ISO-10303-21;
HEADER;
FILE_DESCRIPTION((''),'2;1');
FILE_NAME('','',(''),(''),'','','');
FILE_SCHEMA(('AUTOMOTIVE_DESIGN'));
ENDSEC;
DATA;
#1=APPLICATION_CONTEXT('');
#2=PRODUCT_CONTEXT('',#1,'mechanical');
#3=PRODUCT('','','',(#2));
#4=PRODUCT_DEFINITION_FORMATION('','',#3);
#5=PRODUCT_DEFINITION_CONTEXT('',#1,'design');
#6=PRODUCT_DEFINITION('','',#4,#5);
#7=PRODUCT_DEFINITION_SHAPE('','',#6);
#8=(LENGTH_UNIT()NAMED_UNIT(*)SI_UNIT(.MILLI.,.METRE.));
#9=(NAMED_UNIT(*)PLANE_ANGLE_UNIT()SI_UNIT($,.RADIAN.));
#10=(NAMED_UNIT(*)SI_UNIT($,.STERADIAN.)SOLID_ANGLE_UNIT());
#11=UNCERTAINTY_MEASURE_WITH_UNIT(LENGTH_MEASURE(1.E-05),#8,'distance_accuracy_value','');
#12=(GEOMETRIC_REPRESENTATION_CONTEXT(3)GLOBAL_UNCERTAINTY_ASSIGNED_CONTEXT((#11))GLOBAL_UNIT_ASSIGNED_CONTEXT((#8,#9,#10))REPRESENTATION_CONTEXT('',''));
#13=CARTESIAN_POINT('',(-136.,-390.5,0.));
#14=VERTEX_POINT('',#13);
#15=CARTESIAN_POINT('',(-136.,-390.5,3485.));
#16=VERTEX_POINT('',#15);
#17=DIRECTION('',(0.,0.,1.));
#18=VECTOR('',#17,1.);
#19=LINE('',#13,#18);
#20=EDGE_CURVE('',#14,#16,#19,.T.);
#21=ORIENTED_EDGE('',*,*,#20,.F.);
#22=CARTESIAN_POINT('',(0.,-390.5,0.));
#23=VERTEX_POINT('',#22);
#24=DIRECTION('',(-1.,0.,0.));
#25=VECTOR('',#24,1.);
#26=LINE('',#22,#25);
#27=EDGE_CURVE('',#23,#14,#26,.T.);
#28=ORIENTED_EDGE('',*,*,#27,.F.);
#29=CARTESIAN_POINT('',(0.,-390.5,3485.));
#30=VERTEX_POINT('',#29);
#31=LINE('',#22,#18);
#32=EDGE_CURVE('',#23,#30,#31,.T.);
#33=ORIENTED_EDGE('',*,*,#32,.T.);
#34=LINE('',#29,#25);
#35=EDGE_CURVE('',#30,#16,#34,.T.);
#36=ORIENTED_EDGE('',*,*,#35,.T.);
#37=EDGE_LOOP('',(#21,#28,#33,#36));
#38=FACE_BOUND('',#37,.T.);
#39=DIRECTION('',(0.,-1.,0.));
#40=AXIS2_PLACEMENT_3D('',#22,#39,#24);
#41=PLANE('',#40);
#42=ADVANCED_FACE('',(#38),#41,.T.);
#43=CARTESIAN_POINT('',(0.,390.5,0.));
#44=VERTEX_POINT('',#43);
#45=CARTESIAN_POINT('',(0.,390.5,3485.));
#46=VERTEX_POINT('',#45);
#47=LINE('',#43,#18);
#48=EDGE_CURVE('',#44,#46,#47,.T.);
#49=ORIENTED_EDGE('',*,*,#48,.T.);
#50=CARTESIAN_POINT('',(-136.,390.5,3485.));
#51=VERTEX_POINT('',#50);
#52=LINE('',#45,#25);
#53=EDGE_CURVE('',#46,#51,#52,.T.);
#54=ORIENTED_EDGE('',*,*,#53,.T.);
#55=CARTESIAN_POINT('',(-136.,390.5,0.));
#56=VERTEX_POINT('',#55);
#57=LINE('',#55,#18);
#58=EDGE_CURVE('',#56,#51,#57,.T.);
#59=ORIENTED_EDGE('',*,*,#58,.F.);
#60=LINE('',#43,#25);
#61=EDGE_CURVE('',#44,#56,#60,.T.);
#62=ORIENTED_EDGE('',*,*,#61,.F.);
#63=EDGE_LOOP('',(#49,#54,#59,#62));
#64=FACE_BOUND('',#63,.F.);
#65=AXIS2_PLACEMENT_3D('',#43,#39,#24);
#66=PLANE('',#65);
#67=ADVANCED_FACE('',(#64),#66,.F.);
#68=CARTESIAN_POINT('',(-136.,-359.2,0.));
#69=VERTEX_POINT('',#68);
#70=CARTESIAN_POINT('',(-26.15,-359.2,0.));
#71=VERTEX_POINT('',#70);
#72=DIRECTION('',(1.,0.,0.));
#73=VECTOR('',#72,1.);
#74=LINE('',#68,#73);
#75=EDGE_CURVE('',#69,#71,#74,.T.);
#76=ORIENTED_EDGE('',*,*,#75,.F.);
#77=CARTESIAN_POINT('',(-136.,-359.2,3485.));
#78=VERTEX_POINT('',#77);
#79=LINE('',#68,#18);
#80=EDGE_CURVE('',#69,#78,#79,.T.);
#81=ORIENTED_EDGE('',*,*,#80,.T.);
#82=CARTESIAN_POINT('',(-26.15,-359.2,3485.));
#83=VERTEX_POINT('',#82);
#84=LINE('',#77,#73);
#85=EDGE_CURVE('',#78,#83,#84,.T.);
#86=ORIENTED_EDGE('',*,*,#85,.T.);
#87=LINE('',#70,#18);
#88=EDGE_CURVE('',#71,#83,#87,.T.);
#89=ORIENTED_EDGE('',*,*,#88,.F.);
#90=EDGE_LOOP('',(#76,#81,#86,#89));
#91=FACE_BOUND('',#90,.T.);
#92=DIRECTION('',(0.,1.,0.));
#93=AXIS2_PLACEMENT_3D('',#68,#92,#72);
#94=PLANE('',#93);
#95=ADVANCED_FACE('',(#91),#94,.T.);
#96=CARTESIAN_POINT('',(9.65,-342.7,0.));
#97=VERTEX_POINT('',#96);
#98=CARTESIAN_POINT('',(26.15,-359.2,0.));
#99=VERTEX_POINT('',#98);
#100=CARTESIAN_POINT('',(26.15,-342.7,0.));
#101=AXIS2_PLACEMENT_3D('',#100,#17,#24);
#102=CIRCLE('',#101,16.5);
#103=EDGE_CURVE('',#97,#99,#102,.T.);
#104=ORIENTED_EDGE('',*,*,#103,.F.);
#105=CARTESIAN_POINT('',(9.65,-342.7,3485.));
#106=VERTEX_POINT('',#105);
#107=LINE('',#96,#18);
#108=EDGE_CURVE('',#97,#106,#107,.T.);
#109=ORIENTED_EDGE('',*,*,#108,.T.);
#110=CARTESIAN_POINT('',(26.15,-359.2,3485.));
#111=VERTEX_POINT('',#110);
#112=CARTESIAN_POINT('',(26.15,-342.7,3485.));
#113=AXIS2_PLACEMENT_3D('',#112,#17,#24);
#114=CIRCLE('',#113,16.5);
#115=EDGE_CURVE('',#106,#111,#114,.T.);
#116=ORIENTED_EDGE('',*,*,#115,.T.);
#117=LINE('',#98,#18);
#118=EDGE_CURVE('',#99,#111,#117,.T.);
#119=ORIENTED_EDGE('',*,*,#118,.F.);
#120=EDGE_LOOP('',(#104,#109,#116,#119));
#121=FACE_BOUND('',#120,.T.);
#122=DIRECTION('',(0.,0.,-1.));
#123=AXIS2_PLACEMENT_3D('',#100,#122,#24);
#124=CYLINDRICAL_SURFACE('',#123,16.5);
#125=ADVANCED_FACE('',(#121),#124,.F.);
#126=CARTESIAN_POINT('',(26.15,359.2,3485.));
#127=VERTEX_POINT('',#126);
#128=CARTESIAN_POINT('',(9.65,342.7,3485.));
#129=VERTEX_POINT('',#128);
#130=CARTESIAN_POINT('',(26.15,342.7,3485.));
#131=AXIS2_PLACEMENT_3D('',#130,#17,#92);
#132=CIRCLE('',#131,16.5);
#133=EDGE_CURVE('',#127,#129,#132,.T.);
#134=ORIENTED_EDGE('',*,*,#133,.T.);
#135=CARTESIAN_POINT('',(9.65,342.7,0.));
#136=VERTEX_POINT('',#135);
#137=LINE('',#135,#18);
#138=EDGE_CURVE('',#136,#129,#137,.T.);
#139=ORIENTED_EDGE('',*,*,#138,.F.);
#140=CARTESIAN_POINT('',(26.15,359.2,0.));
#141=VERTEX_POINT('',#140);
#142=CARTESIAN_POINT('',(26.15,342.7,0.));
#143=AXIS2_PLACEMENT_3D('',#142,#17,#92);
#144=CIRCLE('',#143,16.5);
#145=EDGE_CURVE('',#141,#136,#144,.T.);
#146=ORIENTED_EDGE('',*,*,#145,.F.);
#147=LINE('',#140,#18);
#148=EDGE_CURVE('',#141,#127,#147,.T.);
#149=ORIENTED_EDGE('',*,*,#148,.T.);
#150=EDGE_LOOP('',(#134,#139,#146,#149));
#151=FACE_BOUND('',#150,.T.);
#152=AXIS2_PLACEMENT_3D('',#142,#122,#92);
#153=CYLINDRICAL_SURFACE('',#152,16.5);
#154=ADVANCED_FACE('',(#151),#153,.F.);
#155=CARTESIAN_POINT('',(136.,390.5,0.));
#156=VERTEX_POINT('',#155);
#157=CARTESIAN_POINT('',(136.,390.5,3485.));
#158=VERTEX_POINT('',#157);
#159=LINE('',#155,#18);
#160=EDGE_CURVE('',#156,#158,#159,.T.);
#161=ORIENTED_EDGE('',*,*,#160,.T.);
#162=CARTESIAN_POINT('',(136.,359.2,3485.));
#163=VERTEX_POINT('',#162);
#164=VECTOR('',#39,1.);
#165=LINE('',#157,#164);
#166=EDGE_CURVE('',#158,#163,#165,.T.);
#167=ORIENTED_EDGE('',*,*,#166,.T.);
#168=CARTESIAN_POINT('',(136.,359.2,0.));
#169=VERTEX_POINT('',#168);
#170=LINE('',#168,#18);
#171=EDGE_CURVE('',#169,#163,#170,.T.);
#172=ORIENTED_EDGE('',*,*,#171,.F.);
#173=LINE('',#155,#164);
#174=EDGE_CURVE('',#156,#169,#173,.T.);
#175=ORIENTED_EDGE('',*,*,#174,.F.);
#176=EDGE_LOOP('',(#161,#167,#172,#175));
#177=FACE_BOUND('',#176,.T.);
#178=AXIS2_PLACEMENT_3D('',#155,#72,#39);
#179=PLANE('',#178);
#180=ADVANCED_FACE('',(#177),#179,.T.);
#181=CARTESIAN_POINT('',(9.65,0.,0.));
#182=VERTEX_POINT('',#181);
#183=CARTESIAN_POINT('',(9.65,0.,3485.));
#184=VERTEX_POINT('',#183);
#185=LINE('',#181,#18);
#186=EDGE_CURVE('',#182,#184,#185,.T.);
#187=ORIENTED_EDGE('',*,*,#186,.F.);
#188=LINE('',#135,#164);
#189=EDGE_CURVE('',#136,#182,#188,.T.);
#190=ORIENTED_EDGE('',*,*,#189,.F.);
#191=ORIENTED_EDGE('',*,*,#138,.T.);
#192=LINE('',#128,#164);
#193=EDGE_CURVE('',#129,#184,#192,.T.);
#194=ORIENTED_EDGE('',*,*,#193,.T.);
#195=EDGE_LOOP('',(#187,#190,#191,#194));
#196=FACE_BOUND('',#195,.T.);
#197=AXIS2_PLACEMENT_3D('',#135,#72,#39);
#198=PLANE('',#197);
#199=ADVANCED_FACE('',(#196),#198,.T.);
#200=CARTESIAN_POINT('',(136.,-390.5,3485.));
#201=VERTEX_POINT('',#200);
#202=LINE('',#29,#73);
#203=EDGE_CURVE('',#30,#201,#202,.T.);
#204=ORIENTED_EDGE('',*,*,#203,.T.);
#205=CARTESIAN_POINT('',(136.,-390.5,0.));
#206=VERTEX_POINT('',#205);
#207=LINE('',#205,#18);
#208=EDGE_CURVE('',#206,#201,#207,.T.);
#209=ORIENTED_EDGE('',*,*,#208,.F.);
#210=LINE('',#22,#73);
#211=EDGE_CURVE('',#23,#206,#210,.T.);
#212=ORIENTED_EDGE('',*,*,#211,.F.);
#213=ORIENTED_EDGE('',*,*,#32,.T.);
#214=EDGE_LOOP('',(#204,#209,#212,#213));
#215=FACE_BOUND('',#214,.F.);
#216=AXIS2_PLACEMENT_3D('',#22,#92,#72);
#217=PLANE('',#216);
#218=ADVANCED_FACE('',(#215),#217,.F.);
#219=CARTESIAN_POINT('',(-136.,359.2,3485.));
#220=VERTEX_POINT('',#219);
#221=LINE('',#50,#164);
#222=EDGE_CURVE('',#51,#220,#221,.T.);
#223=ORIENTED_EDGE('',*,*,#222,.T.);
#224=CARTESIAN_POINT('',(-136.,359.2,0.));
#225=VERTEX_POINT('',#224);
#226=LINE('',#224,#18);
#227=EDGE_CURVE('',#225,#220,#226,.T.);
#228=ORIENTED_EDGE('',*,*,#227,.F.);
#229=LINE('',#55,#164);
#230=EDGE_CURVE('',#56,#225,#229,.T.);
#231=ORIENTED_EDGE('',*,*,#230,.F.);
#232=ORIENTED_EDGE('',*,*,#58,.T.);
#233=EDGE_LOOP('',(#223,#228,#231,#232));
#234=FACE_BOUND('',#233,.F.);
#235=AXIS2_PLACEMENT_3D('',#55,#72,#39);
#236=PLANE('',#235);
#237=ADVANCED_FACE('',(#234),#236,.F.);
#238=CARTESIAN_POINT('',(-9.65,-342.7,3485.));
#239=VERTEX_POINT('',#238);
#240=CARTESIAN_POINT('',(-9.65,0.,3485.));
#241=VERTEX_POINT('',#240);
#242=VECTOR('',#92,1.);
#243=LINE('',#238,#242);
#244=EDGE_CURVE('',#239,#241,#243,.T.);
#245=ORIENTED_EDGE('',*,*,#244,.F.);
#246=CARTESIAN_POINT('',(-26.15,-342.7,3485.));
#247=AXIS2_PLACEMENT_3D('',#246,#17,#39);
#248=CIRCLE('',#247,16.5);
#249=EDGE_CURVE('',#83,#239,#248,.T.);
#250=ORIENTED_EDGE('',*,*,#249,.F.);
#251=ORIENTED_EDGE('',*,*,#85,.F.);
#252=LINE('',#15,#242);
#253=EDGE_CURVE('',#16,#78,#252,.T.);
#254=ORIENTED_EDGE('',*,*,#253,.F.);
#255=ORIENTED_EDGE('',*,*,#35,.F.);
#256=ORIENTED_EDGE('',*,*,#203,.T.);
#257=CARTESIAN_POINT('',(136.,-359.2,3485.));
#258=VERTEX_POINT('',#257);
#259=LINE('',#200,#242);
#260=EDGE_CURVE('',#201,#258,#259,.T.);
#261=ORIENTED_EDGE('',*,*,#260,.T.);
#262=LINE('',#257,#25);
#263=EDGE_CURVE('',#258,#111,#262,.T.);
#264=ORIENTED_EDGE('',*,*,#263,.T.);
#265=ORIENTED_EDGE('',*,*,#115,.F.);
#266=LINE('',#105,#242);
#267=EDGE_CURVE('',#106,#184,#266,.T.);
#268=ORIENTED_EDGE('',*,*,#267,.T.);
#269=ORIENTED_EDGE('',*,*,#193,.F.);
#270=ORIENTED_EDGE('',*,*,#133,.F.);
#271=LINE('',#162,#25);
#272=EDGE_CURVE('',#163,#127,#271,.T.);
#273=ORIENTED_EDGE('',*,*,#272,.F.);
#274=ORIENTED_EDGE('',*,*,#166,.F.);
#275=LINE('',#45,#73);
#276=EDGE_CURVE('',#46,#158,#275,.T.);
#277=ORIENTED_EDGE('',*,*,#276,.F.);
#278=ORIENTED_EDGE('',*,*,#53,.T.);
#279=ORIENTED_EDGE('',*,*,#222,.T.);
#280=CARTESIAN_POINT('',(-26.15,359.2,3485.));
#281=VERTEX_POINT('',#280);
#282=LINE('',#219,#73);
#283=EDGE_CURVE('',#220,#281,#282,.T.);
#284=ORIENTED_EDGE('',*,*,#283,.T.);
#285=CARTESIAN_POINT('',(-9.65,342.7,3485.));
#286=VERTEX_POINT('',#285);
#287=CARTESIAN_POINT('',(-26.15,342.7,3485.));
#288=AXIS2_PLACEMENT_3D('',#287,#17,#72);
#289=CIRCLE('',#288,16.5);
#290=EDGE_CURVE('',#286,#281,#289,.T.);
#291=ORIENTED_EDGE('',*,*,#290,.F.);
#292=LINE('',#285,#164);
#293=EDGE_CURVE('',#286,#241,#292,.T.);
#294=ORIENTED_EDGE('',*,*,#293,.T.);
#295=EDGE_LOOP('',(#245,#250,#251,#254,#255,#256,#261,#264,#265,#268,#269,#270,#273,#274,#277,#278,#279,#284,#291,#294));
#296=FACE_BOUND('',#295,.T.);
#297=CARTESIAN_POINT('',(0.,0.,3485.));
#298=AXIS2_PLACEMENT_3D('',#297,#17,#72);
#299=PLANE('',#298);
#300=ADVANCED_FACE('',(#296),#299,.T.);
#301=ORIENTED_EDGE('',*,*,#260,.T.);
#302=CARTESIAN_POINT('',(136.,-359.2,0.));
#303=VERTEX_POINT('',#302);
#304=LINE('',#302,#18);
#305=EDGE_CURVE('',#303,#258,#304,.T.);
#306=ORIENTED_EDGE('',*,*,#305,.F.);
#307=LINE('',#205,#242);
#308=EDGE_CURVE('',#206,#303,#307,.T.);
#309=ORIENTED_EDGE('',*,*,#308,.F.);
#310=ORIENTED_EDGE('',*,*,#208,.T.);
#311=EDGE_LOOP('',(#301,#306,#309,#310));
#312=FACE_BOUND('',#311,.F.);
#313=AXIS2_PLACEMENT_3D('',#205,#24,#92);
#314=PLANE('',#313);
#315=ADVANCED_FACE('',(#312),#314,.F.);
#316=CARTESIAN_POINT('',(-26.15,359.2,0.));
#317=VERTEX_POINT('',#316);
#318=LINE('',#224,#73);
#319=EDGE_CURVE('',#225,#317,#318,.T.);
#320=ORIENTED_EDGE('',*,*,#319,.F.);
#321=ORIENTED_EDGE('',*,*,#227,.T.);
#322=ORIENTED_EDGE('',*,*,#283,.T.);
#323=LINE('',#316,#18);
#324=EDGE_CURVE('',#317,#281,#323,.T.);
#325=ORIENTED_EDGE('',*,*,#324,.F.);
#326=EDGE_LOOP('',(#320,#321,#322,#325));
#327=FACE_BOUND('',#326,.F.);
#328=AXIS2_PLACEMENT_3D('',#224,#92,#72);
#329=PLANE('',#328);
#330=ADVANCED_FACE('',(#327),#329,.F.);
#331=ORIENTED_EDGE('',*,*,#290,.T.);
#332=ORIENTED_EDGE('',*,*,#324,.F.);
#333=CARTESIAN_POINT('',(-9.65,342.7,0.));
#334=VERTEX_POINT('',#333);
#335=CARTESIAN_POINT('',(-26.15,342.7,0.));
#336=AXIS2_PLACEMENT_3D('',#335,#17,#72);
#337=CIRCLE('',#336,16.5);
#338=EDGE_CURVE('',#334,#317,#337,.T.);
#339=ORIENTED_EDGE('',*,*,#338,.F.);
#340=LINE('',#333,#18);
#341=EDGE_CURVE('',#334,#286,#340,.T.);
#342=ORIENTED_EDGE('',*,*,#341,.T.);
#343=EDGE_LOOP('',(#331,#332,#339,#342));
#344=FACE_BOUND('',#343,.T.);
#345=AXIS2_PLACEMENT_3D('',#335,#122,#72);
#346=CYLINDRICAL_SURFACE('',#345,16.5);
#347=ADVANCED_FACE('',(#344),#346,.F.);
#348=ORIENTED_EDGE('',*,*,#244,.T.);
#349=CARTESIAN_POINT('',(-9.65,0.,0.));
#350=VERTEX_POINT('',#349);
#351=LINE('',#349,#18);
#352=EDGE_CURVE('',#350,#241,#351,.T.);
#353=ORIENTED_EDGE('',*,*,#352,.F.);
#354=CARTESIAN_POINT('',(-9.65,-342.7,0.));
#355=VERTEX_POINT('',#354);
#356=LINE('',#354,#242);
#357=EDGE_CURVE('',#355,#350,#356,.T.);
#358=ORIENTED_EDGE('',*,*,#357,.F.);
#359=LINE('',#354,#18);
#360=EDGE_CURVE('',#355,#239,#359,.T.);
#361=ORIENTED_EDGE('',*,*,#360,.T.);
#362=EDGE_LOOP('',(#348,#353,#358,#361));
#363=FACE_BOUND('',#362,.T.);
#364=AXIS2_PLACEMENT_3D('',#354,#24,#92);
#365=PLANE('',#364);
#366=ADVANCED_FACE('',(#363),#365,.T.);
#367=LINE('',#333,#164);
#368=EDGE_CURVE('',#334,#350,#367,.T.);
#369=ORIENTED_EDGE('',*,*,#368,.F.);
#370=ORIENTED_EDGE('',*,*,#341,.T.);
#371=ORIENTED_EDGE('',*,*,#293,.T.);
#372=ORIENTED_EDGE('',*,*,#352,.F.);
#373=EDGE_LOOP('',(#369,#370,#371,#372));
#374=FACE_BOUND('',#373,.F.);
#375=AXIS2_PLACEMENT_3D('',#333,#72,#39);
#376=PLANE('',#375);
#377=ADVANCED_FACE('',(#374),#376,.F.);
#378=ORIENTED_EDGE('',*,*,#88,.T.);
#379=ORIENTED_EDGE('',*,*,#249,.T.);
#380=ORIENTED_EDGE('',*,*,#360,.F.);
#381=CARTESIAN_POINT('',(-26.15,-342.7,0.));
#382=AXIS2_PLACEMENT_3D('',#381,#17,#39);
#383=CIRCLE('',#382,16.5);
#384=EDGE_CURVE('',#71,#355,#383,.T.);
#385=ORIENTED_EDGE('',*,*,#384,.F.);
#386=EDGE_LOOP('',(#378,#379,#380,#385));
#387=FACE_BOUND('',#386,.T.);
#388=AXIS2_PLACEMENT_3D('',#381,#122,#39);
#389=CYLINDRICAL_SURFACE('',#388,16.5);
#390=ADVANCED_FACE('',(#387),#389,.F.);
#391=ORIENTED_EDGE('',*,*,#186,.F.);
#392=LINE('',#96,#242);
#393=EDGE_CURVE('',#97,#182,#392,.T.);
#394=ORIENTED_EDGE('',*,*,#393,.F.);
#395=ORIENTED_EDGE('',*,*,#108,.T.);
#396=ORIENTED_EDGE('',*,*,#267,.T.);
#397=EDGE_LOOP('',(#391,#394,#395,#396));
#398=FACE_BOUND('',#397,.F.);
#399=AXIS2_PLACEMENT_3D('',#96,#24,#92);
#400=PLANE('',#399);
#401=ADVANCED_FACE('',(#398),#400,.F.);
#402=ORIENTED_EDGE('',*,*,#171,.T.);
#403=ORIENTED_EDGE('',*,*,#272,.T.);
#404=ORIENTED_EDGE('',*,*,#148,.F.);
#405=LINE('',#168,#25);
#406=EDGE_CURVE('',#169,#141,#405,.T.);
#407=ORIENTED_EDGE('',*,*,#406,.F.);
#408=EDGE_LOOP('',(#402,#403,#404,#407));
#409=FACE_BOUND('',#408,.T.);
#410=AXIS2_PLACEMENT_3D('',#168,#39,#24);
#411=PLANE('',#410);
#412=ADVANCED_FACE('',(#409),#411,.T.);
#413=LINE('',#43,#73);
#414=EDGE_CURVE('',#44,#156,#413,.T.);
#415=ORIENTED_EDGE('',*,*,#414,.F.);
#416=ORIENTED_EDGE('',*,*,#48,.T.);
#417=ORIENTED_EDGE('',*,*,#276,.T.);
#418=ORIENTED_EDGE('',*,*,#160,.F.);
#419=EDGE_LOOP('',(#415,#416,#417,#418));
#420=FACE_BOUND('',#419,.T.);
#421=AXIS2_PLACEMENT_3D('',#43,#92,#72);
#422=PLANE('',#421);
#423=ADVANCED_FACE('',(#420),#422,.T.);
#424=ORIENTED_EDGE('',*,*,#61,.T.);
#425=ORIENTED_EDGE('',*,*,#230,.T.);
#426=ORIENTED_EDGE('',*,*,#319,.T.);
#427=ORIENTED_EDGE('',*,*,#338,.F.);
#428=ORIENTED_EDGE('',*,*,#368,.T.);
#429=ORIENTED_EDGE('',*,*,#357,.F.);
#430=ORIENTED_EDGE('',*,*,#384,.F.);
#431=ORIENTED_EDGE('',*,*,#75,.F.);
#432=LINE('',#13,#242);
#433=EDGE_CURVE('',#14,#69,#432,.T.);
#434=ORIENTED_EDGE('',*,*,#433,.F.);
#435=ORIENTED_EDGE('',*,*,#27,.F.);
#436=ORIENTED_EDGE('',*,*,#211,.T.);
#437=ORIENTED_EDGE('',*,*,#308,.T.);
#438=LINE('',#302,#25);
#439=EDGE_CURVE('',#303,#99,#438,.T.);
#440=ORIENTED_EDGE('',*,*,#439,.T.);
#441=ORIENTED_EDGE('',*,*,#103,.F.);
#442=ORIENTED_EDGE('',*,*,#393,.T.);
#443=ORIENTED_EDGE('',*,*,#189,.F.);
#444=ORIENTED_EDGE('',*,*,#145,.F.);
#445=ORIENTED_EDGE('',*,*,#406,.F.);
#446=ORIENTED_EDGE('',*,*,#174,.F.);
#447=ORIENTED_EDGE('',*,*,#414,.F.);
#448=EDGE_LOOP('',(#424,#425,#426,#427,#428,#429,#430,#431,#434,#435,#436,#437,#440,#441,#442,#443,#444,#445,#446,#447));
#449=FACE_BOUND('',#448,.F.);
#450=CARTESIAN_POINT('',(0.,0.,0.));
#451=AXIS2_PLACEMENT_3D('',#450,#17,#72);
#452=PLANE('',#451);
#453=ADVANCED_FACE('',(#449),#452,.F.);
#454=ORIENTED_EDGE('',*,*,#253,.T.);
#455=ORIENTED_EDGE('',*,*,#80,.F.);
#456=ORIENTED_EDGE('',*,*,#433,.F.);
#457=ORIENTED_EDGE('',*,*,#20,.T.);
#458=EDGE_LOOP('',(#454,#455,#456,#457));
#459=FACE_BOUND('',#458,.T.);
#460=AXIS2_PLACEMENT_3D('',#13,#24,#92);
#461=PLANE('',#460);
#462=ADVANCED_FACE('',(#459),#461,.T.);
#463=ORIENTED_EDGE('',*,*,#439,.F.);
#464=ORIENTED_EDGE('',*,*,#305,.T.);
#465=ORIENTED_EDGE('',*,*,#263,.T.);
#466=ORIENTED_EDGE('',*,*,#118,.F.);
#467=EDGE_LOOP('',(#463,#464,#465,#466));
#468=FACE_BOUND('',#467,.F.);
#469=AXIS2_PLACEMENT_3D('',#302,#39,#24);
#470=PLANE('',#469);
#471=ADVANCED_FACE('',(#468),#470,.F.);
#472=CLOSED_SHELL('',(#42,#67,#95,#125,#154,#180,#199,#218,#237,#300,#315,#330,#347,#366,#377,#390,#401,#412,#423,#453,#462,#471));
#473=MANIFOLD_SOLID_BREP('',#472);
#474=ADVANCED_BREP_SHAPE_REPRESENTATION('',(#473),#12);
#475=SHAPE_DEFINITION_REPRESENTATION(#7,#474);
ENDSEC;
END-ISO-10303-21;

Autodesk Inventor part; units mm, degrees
ref_plane "YZ Plane" through (0, 0, 0) normal (1, 0, 0) x (0, 1, 0)
ref_plane "Start plane" through (0, 0, 0) normal (0, 0, 1) x (1, 0, 0)
ref_plane "End plane" through (0, 0, 3485) normal (0, 0, 1) x (1, 0, 0)
sketch "Sketch" plane through (0, 0, 0) normal (0, 0, 1) x (1, 0, 0)
  line L0 (-136, -390.5) -> (-136, -359.2)
  line L1 (-136, -359.2) -> (-26.15, -359.2)
  line L2 (-9.65, -342.7) -> (-9.65, 0)
  line L3 (-9.65, 0) -> (0, 0) construction
  line L4 (0, 0) -> (0, -390.5) construction
  line L5 (0, -390.5) -> (-136, -390.5)
  line L6 (-60, 0) -> (80, 0) construction
  line L7 (0, -60) -> (0, 80) construction
  line L8 (136, -390.5) -> (136, -359.2)
  line L9 (136, -359.2) -> (26.15, -359.2)
  line L10 (9.65, -342.7) -> (9.65, 0)
  line L11 (9.65, 0) -> (0, 0) construction
  line L12 (0, -390.5) -> (136, -390.5)
  line L13 (-136, 390.5) -> (-136, 359.2)
  line L14 (-136, 359.2) -> (-26.15, 359.2)
  line L15 (-9.65, 342.7) -> (-9.65, 0)
  line L16 (0, 390.5) -> (-136, 390.5)
  line L17 (136, 390.5) -> (136, 359.2)
  line L18 (136, 359.2) -> (26.15, 359.2)
  line L19 (0, 390.5) -> (136, 390.5)
  line L20 (9.65, 342.7) -> (9.65, 0)
  arc A0 (-9.65, 342.7) -> (-26.15, 359.2) centre (-26.15, 342.7) ccw
  arc A1 (26.15, 359.2) -> (9.65, 342.7) centre (26.15, 342.7) ccw
  arc A2 (9.65, -342.7) -> (26.15, -359.2) centre (26.15, -342.7) ccw
  arc A3 (-26.15, -359.2) -> (-9.65, -342.7) centre (-26.15, -342.7) ccw
  line L21 (0, 108) -> (0, -88) construction
  line L22 (-88, 0) -> (108, 0) construction
  point P0 (-9.65, -359.2)
  point P1 (9.65, -359.2)
  point P2 (-9.65, 359.2)
  point P3 (9.65, 359.2)
  dimension "d1" = 390.5
  dimension "d2" = 31.3
  dimension "d3" = 136
  dimension "d4" = 9.65
  dimension "d10" = 16.5
extrude "Body" add sketch "Sketch" along normal up to surface (3485 mm away) from surface at 0
sketch "Sketch4" plane through (0, 0, 0) normal (0, 0, 1) x (1, 0, 0)
  line L0 (0, 0) -> (10, 0)
ref_plane "Work Plane3" through (0, 0, 0) normal (0, -1, 0) x (1, 0, 0)
sketch "Sketch5" plane through (0, 0, 0) normal (0, -1, 0) x (1, 0, 0)
  line L0 (-2, 0) -> (12, 0) projected
  line L1 (-2, 3485) -> (12, 3485) projected
  dimension "d14" = 3485
equation "\"d1\" = 0.5 * G_H"
equation "\"d2\" = G_T1"
equation "\"d3\" = 0.5 * G_W"
equation "\"d4\" = 0.5 * G_T"
equation "\"d10\" = G_IR"
equation "\"d5\" = G_L"
equation "\"G_W\" = 272"
equation "\"G_H\" = 781"
equation "\"G_T\" = 19.3"
equation "\"G_T1\" = 31.3"
equation "\"G_IR\" = 16.5"
equation "\"G_L\" = d14"
equation "\"G_OFFSET_START\" = 0"
equation "\"G_OFFSET_END\" = 0"
equation "\"d12\" = G_OFFSET_END + B_L"
equation "\"B_L\" = 3485"
properties part number "AS 3679-1990 - 760 UB - 244 - 3485" material "Steel, Mild"
